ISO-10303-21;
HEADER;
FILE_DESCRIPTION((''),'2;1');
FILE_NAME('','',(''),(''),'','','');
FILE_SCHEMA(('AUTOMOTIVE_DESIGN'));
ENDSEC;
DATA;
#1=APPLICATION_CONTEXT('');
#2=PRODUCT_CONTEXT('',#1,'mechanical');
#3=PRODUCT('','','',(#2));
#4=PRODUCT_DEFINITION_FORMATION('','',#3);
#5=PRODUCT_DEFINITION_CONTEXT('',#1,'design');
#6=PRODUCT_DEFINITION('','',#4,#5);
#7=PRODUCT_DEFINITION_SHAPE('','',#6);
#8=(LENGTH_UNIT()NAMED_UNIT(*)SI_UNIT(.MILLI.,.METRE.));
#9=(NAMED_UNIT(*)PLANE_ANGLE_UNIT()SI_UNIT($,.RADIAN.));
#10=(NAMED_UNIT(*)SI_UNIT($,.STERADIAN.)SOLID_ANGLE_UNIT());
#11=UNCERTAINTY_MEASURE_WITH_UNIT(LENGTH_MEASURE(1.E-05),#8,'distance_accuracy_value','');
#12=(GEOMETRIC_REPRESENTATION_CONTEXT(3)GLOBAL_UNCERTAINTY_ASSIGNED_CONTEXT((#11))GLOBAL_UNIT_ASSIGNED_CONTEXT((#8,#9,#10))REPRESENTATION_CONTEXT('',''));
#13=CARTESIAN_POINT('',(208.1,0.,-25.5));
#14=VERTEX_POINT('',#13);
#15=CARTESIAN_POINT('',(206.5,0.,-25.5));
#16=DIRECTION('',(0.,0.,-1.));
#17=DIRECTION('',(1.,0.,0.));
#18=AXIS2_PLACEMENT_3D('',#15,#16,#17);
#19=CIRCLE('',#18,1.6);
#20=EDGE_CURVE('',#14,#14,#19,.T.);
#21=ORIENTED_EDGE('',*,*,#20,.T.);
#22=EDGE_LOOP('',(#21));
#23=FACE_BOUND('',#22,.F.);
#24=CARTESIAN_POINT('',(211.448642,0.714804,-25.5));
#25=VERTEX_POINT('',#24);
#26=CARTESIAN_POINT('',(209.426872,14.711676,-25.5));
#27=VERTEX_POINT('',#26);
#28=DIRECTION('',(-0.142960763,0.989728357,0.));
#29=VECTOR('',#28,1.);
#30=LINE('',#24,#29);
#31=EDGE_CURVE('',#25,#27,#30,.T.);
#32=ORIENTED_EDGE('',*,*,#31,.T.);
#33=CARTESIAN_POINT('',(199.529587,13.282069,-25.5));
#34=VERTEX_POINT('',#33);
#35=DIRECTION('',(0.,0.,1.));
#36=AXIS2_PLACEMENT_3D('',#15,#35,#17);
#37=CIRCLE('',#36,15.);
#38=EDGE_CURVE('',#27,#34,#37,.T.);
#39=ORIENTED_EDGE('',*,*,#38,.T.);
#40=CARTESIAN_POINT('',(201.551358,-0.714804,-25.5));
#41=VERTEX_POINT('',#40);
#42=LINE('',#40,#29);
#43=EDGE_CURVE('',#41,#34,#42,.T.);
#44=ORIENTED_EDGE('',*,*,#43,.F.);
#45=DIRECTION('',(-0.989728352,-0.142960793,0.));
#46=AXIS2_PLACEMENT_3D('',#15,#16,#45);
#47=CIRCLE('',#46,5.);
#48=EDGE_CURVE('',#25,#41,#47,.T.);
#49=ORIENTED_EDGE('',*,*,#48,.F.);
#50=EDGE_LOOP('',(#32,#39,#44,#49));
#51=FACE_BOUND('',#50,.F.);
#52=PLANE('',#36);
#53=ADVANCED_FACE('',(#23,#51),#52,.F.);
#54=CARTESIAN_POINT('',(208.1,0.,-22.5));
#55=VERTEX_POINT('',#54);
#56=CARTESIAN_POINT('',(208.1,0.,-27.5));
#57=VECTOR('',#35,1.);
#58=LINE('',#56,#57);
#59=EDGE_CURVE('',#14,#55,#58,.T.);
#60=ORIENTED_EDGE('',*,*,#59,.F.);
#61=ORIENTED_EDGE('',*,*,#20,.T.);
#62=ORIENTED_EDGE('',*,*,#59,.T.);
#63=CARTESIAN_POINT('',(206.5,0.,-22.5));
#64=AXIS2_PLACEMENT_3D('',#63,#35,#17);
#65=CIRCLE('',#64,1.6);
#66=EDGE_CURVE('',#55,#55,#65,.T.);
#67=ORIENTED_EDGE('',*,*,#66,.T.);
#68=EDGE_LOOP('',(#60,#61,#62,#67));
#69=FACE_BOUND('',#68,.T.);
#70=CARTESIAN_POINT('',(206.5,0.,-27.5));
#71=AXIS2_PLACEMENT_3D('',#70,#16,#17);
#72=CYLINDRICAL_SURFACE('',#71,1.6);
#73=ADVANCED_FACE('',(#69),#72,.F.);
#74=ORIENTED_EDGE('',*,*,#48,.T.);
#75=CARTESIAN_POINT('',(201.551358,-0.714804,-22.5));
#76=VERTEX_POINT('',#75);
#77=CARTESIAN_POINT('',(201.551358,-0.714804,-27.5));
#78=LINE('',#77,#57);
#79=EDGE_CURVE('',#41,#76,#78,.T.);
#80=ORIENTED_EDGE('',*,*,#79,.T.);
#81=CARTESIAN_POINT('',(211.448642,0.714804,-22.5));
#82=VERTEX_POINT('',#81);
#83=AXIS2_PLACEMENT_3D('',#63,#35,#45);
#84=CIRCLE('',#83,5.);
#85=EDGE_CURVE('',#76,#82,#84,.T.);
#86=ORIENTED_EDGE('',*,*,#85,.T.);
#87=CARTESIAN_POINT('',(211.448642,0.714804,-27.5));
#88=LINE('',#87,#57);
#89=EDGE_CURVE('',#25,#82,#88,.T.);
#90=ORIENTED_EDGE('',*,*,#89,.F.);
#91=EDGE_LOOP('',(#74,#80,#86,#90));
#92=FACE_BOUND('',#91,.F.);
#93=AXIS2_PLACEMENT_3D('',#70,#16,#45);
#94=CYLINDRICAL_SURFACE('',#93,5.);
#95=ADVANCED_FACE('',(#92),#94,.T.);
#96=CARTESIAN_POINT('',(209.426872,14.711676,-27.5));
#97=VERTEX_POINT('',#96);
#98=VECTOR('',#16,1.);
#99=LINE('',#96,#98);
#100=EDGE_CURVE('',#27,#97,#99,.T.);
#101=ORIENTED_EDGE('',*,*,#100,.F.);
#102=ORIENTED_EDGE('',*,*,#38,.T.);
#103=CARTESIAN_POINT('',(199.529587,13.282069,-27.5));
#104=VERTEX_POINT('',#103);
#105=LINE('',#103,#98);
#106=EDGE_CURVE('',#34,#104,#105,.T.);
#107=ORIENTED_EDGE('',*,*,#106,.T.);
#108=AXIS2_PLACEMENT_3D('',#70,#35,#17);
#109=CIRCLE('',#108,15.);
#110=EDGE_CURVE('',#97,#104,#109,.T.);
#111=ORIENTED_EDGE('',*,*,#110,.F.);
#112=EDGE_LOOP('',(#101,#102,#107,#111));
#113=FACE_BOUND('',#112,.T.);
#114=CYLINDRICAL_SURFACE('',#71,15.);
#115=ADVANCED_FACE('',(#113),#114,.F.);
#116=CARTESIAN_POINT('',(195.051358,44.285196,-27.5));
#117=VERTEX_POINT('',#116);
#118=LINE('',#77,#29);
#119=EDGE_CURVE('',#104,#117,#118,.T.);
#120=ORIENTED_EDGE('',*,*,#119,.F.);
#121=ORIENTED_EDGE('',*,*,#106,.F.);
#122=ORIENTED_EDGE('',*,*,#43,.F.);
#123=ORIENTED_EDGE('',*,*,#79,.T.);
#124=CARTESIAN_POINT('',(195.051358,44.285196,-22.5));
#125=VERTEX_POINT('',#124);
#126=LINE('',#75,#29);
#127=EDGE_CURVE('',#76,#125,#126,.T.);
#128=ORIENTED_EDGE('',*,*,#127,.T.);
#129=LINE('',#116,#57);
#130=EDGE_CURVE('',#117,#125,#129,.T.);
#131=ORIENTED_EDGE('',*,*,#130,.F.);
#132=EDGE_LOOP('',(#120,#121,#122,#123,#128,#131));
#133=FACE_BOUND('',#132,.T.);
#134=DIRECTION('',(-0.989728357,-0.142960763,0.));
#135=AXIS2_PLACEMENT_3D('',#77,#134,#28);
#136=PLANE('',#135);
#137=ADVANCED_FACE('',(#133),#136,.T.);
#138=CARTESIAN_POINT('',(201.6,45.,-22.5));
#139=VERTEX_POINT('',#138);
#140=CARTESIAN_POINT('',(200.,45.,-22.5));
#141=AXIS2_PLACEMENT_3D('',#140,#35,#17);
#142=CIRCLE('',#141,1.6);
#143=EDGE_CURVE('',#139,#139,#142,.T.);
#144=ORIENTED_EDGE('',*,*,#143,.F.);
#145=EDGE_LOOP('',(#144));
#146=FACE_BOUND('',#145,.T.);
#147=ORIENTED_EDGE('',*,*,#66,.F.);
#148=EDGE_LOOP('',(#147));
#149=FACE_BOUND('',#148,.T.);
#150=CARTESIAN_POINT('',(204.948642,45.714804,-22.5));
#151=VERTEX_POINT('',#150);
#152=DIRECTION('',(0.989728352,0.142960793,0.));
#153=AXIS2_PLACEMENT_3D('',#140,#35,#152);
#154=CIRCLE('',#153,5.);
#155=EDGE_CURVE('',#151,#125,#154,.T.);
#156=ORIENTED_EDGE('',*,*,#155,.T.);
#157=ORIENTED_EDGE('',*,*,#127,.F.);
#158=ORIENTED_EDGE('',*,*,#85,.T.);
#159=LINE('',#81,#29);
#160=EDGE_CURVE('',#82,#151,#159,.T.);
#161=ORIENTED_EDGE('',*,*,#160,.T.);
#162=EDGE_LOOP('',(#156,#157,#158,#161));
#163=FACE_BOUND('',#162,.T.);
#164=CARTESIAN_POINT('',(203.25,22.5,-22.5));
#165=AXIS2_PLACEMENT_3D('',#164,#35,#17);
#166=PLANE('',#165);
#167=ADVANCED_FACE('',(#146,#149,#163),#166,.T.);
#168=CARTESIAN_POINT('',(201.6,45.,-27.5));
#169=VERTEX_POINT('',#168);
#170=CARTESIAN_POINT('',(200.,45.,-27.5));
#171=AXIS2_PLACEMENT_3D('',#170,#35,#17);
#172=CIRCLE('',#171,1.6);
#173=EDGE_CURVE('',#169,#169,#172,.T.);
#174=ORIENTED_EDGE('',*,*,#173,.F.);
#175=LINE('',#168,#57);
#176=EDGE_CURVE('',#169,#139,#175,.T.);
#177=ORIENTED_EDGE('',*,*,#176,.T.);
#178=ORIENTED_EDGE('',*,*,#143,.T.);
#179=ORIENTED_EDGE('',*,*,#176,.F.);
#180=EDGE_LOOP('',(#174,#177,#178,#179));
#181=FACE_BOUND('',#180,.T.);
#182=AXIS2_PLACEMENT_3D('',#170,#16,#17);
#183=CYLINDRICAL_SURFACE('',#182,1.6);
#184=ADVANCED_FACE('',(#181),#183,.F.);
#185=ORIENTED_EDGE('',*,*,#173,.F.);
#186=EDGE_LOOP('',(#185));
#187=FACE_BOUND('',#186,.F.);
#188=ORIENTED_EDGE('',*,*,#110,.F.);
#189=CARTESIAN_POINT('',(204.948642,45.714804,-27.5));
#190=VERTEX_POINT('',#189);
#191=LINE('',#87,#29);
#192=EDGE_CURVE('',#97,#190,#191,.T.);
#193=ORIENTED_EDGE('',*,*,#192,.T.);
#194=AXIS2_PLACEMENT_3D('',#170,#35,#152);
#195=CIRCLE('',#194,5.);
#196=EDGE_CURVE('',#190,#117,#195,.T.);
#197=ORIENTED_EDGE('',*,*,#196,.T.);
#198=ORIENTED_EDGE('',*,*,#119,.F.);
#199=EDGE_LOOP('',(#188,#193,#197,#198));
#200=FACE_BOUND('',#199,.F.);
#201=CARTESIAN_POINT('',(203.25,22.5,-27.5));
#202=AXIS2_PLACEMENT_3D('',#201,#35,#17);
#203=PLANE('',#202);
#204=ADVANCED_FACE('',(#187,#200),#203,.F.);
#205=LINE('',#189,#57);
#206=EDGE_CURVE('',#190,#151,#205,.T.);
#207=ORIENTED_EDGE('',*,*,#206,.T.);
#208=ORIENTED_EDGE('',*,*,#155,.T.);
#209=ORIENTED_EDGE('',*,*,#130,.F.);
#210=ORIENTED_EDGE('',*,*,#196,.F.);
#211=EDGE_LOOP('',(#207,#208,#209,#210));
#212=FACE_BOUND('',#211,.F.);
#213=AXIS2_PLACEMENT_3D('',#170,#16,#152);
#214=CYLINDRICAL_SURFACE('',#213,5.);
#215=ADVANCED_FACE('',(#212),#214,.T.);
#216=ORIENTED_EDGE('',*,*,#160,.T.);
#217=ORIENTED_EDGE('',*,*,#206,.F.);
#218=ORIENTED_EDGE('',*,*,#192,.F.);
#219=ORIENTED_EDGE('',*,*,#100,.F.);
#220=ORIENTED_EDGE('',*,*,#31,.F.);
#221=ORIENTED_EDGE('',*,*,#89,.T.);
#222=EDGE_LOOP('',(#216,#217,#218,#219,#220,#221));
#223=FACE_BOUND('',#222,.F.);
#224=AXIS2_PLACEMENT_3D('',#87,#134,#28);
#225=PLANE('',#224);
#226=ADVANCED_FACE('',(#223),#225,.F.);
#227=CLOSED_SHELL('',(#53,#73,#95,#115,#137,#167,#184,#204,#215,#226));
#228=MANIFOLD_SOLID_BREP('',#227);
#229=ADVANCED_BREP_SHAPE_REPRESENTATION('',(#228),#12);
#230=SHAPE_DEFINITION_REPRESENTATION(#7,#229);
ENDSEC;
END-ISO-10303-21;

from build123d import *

# Parameters (mm, degrees)
CYLINDER011_R     = 15
CYLINDER011_DEPTH = 2
SKETCH009_R       = 1.6
PAD012_DEPTH      = 5


with BuildPart() as cilindro011:
    # Cylinder011 → Cylinder011 (new body)
    with BuildSketch(Plane(origin=(206.5, 0, -27.5), x_dir=(1, 0, 0), z_dir=(0, 0, 1))):
        Circle(CYLINDER011_R)
    extrude(amount=CYLINDER011_DEPTH)


with BuildPart() as cut007:
    # Sketch009 → Pad012 (new body)
    with BuildSketch(Plane.XY.offset(-27.5)):
        with BuildLine():
            ThreePointArc((201.551358, -0.714804), (207.214804, -4.948642), (211.448642, 0.714804))
            Line((211.448642, 0.714804), (204.948642, 45.714804))
            ThreePointArc((204.948642, 45.714804), (199.285196, 49.948642), (195.051358, 44.285196))
            Line((201.551358, -0.714804), (195.051358, 44.285196))
        make_face()
        with Locations((200, 45)):
            Circle(SKETCH009_R, mode=Mode.SUBTRACT)
        with Locations((206.5, 0)):
            Circle(SKETCH009_R, mode=Mode.SUBTRACT)
    extrude(amount=PAD012_DEPTH)

    # Cut007: cut Cilindro011
    add(cilindro011.part, mode=Mode.SUBTRACT)


solid = cut007.part
